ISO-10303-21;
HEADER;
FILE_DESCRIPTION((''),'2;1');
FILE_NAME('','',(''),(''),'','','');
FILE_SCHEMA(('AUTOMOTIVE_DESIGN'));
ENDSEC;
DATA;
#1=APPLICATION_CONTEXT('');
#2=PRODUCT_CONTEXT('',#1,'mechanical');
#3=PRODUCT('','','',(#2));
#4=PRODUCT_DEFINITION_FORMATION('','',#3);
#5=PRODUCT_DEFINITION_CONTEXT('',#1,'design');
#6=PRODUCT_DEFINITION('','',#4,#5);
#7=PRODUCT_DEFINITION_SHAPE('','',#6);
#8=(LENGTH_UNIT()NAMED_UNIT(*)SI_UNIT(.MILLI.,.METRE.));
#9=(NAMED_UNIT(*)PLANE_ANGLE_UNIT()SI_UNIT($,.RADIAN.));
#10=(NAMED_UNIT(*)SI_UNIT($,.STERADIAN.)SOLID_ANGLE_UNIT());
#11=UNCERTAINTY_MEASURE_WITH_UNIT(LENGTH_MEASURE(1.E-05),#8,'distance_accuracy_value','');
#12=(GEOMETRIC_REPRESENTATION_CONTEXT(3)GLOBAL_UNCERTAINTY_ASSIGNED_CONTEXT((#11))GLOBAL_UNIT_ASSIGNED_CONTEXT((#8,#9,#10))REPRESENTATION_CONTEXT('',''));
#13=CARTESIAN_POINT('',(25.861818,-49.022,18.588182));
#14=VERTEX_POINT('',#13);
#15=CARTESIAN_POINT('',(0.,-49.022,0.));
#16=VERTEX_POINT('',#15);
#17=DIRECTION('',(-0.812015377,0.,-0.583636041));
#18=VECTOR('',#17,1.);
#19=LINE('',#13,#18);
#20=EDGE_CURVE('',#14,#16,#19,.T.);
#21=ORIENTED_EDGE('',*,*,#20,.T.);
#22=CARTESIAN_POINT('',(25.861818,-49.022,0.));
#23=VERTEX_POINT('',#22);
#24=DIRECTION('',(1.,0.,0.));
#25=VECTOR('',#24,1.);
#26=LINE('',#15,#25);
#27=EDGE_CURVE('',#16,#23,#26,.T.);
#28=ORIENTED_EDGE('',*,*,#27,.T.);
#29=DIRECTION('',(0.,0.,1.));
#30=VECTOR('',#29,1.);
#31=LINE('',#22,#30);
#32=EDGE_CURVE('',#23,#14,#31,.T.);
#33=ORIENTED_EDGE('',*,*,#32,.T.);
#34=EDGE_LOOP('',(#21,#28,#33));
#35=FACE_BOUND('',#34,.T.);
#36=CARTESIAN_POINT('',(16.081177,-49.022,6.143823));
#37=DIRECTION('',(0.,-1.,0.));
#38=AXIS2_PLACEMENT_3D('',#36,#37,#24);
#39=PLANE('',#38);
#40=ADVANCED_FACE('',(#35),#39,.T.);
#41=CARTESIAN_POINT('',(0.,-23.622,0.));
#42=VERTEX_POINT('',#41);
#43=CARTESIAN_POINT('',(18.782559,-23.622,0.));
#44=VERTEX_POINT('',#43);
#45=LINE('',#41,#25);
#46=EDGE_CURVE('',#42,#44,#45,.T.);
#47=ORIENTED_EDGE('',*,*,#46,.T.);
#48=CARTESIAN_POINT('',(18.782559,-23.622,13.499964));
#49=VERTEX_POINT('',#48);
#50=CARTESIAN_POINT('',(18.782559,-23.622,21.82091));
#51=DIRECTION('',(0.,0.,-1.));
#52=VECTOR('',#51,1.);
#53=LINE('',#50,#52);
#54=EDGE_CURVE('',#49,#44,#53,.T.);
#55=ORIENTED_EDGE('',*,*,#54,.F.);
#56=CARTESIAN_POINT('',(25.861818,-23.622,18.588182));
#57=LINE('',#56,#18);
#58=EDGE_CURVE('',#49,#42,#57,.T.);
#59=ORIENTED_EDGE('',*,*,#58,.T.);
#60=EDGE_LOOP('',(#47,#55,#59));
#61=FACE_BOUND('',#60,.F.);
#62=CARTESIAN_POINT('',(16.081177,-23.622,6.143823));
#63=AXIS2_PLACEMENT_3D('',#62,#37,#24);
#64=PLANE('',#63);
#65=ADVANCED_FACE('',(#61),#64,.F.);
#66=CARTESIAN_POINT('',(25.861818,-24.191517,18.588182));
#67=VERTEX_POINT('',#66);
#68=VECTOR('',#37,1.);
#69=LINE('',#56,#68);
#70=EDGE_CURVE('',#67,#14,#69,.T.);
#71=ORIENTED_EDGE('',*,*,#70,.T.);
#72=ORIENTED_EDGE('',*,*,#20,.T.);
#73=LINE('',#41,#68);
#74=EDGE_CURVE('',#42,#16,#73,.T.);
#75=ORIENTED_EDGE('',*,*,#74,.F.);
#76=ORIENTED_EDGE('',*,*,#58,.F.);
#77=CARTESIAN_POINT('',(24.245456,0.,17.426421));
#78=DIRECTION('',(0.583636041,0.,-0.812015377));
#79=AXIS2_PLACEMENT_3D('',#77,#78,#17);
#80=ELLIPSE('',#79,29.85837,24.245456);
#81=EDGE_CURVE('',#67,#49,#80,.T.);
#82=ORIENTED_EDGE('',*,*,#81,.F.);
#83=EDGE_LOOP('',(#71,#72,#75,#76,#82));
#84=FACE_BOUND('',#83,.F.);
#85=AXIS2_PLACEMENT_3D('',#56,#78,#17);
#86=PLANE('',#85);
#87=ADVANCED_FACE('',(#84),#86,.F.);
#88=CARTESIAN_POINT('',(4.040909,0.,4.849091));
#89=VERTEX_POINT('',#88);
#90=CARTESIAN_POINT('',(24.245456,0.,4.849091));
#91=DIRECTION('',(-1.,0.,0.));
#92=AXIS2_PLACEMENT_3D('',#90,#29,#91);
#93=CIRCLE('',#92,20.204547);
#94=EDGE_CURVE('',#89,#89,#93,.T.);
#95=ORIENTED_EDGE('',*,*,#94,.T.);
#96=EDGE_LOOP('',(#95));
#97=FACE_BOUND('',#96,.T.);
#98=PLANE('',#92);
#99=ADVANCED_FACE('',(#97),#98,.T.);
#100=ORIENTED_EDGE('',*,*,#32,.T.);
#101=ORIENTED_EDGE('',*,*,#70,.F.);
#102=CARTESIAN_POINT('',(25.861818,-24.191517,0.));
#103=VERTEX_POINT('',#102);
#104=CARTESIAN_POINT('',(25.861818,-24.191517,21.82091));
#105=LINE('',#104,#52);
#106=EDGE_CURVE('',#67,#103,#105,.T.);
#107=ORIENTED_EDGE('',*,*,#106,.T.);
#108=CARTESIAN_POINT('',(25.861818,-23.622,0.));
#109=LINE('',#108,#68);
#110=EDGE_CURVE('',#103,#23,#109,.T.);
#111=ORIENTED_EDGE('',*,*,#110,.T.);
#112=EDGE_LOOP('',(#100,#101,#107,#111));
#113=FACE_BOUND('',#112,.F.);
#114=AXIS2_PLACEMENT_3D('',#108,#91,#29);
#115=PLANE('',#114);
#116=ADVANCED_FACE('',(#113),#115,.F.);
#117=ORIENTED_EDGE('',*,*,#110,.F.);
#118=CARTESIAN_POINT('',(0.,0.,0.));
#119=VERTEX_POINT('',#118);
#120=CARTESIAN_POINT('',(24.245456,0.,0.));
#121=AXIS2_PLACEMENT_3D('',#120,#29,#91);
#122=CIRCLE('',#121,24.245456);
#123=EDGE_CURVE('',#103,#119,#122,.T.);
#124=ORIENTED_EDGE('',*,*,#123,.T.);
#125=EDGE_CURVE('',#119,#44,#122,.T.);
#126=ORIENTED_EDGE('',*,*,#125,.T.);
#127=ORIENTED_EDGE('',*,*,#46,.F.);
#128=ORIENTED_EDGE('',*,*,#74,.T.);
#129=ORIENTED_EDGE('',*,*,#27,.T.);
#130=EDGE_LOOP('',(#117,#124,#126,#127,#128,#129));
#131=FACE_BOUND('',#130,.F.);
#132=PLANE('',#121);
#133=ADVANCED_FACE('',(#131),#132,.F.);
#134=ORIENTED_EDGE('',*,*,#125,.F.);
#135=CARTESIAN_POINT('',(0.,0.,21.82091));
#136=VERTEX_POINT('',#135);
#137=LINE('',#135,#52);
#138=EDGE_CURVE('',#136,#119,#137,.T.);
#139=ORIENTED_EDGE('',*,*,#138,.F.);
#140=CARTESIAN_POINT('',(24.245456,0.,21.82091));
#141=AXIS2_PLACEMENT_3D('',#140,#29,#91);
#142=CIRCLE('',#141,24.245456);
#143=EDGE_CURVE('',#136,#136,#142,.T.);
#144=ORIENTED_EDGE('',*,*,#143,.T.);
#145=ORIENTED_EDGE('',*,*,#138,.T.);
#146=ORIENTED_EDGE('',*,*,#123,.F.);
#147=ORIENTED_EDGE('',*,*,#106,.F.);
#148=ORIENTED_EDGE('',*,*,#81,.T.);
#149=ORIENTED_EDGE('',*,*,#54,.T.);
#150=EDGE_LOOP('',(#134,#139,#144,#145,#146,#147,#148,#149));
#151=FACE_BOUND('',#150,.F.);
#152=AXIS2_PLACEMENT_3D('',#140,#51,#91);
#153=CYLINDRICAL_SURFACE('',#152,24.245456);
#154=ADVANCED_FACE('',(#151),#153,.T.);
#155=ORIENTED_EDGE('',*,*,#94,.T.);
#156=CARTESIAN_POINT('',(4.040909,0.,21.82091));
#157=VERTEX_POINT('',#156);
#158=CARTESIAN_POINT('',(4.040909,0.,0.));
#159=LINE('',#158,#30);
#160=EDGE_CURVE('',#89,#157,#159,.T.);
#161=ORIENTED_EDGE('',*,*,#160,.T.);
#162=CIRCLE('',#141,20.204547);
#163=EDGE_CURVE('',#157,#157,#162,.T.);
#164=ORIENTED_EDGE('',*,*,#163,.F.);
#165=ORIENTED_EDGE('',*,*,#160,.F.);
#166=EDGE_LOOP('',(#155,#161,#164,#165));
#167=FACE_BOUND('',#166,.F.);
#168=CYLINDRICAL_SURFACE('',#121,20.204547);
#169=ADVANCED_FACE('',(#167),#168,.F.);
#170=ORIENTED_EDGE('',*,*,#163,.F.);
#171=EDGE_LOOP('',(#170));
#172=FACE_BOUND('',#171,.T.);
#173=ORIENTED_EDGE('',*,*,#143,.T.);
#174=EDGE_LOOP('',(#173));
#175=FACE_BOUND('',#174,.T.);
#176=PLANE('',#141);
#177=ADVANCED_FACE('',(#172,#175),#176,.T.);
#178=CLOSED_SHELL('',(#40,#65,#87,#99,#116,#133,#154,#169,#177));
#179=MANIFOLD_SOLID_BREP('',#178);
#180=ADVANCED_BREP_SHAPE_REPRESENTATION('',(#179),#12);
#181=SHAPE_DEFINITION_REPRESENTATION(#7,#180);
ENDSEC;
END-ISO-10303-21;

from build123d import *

# Parameters (mm, degrees)
F0_W     = 4.0409089997
F0_H     = 16.9718191028
F0_H_2   = 4.8490911722
F0_W_2   = 20.2045468614
F4_DEPTH = 25.4


with BuildPart() as f1:
    # F0 (on Front) → F1 (revolve)
    with BuildSketch(Plane.XZ):
        with Locations((2.0204544999, 13.3350007236)):
            Rectangle(F0_W, F0_H)
        with Locations((2.0204544999, 2.4245455861)):
            Rectangle(F0_W, F0_H_2)
        with Locations((14.1431824304, 2.4245455861)):
            Rectangle(F0_W_2, F0_H_2)
    revolve(axis=Axis((24.2454558611, 0, 2.4245455861), (0, 0, 1)))

    # F3 (on offset) → F4 (join)
    with BuildSketch(Plane.XZ.offset(23.622)):
        Polygon((25.8618183434, 18.5881815851), (0, 0), (25.8618183434, 0), align=None)
    extrude(amount=F4_DEPTH)


solid = f1.part
